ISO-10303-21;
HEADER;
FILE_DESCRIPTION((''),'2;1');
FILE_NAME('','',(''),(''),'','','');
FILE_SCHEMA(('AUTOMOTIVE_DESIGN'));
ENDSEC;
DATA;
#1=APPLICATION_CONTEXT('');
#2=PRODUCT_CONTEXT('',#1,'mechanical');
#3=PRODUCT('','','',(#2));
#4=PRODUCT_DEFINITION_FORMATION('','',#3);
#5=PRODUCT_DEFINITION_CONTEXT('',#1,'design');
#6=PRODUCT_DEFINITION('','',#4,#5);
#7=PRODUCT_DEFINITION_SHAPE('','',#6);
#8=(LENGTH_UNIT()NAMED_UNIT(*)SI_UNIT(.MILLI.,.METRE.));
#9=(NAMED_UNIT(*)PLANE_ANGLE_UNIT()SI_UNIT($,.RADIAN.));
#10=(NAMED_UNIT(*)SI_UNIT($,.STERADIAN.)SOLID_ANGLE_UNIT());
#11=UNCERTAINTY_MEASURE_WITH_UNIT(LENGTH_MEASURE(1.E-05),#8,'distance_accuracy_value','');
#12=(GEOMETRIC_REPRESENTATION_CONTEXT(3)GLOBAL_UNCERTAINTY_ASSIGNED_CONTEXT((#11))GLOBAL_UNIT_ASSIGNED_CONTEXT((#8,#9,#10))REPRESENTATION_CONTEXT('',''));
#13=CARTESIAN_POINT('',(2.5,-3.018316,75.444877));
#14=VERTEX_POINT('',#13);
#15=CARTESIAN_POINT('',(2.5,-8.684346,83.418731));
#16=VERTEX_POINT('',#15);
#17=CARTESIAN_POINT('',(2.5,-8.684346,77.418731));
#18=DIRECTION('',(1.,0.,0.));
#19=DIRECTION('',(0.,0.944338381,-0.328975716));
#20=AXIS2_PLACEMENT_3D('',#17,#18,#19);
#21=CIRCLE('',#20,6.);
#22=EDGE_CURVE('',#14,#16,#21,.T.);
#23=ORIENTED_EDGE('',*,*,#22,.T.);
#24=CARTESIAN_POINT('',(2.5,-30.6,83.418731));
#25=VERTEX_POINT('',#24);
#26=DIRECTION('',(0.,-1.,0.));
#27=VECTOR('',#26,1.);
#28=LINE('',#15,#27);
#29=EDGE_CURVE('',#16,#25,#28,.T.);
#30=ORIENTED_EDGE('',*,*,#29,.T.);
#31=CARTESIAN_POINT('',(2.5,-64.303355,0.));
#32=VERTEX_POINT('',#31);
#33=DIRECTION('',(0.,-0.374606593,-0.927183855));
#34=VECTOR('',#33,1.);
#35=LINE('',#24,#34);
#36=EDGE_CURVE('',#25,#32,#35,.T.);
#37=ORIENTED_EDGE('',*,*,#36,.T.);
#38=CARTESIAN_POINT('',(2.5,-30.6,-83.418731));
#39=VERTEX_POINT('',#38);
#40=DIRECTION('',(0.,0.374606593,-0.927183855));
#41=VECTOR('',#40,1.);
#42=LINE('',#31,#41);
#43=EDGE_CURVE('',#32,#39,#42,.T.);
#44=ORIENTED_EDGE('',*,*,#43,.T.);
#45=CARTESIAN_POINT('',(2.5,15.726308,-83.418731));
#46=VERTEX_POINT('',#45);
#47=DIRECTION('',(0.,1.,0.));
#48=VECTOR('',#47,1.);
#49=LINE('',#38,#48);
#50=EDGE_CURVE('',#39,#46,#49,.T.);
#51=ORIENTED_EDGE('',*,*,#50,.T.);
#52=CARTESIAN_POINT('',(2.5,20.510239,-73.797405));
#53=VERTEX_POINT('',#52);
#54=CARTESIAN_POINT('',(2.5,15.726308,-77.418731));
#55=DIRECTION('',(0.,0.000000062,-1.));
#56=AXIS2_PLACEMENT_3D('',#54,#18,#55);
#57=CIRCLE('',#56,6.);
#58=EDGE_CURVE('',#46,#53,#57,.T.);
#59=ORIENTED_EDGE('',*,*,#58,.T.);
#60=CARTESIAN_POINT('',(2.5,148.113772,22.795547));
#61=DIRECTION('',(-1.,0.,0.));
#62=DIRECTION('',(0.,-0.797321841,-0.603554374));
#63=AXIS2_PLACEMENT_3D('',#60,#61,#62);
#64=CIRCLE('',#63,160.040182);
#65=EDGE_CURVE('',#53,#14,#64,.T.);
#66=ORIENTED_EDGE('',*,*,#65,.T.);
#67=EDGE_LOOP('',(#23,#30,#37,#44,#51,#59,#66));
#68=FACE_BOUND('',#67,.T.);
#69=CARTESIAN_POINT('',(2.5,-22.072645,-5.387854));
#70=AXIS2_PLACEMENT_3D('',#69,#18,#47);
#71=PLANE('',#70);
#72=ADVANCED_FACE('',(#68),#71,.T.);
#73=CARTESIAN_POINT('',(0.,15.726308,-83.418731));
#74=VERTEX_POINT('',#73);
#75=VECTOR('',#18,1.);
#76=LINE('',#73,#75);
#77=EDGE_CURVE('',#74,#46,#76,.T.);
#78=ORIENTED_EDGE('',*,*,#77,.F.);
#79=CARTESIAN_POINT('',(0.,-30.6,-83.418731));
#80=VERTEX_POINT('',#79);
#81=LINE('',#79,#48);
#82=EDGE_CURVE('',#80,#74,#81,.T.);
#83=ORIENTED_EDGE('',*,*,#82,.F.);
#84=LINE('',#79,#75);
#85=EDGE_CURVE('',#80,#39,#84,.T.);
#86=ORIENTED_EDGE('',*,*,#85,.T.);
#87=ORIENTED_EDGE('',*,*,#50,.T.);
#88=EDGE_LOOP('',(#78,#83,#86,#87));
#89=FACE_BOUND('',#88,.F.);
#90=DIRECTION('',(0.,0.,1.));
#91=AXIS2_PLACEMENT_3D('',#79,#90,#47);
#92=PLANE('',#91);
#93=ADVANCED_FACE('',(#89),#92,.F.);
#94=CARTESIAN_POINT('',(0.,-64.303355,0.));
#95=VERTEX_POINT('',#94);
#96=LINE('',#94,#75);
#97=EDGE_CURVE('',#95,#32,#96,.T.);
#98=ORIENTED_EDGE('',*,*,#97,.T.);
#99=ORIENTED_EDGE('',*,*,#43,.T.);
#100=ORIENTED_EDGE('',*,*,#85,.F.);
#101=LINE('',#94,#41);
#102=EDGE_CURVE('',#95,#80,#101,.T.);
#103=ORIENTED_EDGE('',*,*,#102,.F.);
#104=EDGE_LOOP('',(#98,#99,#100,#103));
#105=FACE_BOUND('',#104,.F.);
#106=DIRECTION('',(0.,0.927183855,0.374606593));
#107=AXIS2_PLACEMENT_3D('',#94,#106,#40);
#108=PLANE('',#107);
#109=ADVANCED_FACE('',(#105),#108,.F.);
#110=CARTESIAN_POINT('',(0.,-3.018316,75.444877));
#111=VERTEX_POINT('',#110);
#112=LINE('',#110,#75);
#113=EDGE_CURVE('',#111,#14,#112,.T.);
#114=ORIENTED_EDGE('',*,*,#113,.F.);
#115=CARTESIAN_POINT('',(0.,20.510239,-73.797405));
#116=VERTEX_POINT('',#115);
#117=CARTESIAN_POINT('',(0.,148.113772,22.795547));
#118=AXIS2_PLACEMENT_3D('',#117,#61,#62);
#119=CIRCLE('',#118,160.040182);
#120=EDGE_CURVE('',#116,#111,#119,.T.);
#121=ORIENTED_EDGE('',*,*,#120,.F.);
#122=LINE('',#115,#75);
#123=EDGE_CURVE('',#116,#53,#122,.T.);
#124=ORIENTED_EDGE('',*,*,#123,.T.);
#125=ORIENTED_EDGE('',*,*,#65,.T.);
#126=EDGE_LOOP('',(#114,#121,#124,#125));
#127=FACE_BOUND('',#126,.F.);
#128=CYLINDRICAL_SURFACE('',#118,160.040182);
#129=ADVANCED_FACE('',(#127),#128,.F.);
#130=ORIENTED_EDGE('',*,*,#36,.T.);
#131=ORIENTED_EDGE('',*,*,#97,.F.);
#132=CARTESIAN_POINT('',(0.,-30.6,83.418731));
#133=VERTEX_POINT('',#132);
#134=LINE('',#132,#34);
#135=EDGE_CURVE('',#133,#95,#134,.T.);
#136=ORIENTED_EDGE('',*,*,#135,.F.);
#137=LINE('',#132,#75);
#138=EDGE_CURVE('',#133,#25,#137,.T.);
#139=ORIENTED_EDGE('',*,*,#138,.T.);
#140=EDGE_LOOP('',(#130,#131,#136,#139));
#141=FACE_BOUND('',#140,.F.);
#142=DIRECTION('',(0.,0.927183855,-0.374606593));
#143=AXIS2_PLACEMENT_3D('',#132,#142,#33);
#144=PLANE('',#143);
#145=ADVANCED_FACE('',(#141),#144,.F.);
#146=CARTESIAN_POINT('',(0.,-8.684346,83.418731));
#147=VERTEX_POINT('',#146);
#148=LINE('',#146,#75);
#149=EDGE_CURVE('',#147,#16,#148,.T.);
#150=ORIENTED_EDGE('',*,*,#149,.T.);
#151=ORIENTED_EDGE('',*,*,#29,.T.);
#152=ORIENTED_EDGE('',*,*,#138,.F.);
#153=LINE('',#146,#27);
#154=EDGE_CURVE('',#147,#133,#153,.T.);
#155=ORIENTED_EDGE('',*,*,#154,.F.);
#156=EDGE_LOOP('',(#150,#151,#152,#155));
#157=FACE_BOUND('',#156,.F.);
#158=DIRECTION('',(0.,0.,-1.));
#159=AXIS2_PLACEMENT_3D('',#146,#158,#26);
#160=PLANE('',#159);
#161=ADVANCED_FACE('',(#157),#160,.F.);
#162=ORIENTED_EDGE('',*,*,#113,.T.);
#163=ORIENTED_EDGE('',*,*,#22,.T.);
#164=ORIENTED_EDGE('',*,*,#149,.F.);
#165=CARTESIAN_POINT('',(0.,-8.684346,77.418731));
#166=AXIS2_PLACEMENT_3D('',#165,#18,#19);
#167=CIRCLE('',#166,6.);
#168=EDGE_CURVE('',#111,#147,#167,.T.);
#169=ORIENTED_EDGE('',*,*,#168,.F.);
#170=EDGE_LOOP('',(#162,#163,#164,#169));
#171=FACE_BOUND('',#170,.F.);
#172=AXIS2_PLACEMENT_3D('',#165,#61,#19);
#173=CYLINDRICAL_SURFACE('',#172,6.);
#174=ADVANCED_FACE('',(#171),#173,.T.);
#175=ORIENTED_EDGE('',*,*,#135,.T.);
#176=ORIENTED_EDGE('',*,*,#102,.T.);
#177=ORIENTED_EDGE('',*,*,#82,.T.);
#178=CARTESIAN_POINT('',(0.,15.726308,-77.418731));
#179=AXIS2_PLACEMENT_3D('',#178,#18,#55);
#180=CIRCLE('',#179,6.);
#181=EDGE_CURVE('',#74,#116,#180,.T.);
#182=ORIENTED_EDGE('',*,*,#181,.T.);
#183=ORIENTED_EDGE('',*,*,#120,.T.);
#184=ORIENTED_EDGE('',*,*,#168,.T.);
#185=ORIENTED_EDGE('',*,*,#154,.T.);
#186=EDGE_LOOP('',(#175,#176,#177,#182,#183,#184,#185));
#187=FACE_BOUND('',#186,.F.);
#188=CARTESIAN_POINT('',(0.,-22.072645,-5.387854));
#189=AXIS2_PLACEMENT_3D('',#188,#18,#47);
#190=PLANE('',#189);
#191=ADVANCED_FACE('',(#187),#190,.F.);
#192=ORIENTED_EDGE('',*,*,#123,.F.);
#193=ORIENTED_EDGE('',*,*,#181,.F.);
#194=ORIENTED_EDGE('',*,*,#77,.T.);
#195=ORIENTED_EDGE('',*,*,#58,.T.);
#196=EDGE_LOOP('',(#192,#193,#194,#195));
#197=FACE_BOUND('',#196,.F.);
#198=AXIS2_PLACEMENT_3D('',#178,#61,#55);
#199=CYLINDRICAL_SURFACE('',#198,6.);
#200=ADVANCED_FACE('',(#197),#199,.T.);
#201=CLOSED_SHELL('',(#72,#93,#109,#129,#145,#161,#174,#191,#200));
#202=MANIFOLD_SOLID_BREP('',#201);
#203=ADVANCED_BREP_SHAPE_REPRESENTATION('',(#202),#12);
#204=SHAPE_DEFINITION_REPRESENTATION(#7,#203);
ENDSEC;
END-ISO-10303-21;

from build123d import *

# Parameters (mm, degrees)
F1_DEPTH = 2.5


with BuildPart() as f1:
    # F0 (on Right) → F1 (new body)
    with BuildSketch(Plane.YZ):
        with BuildLine():
            ThreePointArc((-3.018316, 75.444877), (-3.793379, 80.894136), (-8.684346, 83.418731))
            Line((-8.684346, 83.418731), (-30.6, 83.418731))
            Line((-30.6, 83.418731), (-64.303355, 0))
            Line((-64.303355, 0), (-30.6, -83.418731))
            Line((-30.6, -83.418731), (15.726308, -83.418731))
            ThreePointArc((15.726308, -83.418731), (21.098828, -80.090065), (20.510239, -73.797405))
            ThreePointArc((20.510239, -73.797405), (-9.973866, -2.127509), (-3.018316, 75.444877))
        make_face()
    extrude(amount=F1_DEPTH)


solid = f1.part
